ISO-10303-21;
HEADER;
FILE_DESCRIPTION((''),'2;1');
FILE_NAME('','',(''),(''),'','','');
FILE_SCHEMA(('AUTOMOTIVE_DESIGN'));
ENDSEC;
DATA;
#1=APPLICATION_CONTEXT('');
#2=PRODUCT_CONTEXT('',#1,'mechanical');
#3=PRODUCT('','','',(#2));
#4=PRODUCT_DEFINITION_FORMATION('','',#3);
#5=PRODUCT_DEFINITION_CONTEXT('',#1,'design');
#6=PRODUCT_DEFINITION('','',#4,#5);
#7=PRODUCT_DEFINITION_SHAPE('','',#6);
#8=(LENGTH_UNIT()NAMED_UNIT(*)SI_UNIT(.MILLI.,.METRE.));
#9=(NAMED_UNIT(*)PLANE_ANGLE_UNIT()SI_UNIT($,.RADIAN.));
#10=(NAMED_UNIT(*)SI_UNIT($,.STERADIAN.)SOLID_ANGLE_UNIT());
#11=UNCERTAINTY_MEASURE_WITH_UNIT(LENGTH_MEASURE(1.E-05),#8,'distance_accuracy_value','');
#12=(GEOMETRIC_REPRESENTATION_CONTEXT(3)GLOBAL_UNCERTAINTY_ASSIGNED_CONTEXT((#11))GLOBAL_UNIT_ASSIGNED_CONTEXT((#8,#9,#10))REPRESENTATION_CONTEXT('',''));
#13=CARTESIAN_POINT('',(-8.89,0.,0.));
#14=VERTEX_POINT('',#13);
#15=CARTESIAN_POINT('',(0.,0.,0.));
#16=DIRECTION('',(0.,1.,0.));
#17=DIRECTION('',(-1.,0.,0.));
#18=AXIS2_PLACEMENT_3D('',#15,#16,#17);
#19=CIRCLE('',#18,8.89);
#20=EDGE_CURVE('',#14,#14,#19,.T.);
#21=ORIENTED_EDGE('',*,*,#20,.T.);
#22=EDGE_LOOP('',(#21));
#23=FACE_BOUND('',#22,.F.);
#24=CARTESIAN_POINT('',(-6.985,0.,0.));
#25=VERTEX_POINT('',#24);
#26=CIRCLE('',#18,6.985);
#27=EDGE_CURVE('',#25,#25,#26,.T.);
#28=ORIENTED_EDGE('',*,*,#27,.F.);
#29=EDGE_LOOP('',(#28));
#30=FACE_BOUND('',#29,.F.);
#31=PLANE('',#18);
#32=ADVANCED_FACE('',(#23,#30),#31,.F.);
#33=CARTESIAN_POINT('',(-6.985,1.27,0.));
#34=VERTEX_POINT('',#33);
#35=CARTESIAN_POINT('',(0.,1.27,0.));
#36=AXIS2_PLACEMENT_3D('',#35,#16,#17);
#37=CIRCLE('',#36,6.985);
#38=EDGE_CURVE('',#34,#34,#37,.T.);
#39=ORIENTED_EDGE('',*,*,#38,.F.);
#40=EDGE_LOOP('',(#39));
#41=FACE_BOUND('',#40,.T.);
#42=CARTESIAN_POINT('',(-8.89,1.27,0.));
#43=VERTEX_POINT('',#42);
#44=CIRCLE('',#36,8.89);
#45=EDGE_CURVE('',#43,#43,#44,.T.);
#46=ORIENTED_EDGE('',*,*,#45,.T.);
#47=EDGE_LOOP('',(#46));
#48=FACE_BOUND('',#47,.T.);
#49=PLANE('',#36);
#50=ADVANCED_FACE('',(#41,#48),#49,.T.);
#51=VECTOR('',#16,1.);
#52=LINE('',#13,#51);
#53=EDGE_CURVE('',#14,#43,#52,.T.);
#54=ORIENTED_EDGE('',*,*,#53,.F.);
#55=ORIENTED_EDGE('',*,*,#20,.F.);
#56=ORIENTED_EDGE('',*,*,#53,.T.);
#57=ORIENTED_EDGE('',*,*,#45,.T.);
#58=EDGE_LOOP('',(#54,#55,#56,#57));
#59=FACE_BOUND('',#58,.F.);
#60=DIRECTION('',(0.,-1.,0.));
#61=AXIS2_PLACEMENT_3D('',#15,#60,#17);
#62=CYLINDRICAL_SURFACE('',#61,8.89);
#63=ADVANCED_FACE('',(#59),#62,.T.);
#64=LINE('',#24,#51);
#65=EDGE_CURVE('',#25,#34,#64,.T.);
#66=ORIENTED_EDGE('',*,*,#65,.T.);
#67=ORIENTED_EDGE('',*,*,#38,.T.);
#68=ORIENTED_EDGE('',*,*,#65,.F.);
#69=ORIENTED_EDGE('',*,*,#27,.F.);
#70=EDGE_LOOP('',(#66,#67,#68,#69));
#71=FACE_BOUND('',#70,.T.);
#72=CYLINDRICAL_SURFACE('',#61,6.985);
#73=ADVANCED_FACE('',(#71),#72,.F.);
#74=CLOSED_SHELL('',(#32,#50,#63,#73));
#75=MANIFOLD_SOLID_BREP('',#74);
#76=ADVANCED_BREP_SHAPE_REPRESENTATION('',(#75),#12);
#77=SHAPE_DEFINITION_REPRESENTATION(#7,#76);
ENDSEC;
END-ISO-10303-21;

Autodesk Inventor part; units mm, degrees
ref_plane "YZ Plane" through (0, 0, 0) normal (1, 0, 0) x (0, 1, 0)
ref_plane "XZ Plane" through (0, 0, 0) normal (0, 1, 0) x (-1, 0, 0)
ref_plane "XY Plane" through (0, 0, 0) normal (0, 0, 1) x (1, 0, 0)
sketch "Sketch1" plane through (0, 0, 0) normal (0, 1, 0) x (-1, 0, 0)
  circle A0 centre (0, 0) radius 6.985
  circle A1 centre (0, 0) radius 8.89
  dimension "d0" = 13.97
  dimension "d1" = 17.78
extrude "Extrusion1" add sketch "Sketch1" along normal blind 1.27
properties part number "MarbleRingTest1"
